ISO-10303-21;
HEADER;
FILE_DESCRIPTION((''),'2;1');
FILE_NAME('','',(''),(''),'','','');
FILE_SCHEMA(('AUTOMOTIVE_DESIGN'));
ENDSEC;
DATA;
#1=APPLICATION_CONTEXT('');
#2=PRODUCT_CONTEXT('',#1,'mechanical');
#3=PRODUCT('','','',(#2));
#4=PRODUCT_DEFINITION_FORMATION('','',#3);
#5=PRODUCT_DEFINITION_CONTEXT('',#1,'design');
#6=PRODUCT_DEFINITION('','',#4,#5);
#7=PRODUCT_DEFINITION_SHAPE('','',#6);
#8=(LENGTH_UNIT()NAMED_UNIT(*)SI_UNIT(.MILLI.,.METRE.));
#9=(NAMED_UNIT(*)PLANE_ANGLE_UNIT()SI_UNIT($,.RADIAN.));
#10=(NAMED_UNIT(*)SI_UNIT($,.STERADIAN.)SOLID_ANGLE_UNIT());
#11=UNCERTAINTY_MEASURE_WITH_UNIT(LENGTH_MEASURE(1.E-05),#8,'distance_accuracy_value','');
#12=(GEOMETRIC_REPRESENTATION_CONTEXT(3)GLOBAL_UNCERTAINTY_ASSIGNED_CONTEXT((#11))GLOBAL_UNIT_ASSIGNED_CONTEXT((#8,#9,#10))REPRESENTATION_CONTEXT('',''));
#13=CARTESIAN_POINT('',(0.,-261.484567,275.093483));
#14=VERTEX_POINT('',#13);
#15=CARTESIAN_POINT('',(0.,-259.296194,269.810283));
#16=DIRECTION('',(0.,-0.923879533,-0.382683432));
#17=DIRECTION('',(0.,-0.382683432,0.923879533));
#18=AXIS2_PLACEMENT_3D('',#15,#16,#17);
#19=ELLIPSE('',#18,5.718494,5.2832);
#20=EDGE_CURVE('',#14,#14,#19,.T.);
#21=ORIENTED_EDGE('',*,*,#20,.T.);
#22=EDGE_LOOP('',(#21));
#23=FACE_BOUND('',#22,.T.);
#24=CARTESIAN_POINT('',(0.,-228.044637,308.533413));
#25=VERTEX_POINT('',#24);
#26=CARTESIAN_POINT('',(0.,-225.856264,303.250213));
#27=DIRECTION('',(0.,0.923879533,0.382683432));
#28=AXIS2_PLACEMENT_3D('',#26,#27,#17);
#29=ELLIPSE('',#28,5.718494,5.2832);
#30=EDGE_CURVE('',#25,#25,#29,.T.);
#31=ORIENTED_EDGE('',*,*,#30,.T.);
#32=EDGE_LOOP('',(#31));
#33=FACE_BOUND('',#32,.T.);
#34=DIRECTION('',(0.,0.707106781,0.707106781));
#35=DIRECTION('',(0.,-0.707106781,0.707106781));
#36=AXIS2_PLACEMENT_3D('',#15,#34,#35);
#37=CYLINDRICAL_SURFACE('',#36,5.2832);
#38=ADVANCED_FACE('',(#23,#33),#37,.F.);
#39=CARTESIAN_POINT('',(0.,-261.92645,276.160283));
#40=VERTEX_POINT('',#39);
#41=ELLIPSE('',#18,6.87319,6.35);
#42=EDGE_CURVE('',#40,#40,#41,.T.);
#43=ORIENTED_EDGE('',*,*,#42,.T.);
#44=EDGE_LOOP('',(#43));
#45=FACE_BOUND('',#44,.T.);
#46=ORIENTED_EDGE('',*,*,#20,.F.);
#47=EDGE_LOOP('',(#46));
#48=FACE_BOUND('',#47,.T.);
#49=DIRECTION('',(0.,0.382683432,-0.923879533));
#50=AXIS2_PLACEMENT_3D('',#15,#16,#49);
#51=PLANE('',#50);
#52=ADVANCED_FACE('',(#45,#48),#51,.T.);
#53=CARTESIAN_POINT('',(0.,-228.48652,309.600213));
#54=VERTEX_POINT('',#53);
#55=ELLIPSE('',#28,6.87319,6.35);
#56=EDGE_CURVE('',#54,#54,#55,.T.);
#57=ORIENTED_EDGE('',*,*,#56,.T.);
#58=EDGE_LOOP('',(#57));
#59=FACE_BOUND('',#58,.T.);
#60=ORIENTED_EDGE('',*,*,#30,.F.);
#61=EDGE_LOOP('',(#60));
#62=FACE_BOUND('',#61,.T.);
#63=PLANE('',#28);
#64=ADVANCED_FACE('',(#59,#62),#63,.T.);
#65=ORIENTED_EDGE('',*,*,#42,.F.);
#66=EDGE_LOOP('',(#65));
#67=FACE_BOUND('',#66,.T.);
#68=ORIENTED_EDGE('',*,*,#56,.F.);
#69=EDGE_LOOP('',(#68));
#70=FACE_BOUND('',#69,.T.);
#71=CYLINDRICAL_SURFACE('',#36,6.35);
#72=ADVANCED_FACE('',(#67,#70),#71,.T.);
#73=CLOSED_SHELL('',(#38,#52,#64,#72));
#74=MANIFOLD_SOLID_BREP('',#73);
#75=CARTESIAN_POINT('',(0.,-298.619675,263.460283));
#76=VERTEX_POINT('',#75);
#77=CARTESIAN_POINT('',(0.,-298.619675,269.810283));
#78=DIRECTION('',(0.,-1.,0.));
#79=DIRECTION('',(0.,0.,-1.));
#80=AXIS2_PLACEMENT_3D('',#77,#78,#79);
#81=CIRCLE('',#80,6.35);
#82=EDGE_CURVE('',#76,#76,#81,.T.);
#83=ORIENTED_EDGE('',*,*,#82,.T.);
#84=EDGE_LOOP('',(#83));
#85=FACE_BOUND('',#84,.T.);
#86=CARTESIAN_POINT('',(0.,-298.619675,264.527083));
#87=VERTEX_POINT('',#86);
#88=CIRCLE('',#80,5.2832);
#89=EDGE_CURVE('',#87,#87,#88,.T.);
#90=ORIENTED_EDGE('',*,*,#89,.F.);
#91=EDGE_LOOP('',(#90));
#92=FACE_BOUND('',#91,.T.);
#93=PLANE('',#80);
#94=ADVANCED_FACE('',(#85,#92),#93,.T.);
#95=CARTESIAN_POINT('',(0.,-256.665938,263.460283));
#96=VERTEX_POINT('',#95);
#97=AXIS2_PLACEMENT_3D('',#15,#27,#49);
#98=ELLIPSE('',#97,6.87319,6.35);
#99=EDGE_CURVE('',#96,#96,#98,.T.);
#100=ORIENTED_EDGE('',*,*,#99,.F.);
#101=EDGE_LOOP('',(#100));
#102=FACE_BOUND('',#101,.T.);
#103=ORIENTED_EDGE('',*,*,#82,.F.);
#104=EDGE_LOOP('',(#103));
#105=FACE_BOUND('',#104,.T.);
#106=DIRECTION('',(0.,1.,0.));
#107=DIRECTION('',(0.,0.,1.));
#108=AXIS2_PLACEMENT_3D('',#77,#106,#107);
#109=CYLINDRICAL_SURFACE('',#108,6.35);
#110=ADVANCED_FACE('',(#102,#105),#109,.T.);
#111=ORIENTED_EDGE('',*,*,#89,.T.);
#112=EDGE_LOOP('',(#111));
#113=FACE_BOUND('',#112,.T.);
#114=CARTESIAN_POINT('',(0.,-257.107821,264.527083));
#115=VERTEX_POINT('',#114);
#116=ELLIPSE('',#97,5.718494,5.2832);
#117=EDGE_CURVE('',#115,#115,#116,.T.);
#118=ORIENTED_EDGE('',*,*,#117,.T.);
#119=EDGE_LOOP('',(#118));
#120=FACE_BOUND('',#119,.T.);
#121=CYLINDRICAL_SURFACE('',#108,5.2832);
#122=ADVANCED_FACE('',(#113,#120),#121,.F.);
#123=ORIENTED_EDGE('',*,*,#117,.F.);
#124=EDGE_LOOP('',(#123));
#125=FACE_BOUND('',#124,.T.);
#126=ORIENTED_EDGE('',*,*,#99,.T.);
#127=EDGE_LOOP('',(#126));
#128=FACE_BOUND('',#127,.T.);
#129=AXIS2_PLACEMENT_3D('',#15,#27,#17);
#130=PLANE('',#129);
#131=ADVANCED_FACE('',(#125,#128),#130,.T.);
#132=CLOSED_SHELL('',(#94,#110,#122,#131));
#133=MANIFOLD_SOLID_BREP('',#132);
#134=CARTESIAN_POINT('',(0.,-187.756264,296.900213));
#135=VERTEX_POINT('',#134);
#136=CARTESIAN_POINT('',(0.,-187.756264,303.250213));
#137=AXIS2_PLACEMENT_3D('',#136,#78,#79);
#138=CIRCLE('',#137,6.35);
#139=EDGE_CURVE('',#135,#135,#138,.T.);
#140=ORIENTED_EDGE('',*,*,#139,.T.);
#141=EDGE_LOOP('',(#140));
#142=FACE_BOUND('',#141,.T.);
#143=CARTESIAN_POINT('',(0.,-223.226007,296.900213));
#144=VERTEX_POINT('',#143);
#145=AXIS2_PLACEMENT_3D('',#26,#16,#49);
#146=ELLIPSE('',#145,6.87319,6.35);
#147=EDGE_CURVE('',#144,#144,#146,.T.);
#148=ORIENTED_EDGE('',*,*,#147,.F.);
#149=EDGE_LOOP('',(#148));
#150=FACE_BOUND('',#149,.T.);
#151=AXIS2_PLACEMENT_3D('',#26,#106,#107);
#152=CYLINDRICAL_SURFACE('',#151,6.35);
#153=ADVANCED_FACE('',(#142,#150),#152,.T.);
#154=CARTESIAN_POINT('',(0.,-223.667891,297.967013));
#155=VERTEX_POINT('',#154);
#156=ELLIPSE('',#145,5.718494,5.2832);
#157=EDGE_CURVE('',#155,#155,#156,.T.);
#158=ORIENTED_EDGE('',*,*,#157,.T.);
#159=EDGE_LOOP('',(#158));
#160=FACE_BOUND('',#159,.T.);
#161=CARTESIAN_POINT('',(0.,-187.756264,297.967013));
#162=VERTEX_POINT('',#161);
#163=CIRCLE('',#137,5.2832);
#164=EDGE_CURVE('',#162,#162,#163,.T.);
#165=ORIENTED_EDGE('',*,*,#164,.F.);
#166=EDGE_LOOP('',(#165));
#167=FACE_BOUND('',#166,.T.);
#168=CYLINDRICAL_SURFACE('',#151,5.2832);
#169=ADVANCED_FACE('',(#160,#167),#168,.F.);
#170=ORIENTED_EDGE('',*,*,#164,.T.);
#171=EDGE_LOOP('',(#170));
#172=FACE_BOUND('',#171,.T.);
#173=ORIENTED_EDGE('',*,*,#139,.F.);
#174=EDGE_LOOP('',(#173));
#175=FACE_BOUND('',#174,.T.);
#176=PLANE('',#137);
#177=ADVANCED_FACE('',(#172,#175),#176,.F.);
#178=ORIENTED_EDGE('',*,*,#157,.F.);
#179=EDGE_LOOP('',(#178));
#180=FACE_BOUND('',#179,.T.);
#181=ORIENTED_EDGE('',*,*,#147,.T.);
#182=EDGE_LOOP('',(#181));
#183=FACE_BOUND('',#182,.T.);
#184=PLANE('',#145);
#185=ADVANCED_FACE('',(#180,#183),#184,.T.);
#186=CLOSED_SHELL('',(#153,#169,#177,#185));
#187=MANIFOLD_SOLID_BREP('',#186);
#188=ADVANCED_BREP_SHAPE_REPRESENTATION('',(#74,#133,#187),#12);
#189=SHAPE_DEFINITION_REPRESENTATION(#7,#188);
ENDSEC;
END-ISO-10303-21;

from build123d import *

# Parameters (mm, degrees)
SKETCH11_R                = 6.35
SKETCH11_R_2              = 5.2832
PIPE_0_5_SCH_40_1_DEPTH   = 42.819743879
SKETCH11_ON_SEGMENT_2_R   = 6.35
SKETCH11_ON_SEGMENT_2_R_2 = 5.2832
PIPE_0_5_SCH_40_1_2_DEPTH = 56.730691165
SKETCH11_ON_SEGMENT_3_R   = 6.35
SKETCH11_ON_SEGMENT_3_R_2 = 5.2832
PIPE_0_5_SCH_40_1_3_DEPTH = 44.043224164


with BuildPart() as part:
    # Sketch11 → Pipe 0.5 SCH 40(1) (new body)
    with BuildSketch(Plane(origin=(0, -187.756263613, 303.250213328), x_dir=(0, 0, -1), z_dir=(0, -1, 0))):
        Circle(SKETCH11_R)
        Circle(SKETCH11_R_2, mode=Mode.SUBTRACT)
    extrude(amount=PIPE_0_5_SCH_40_1_DEPTH)

    # Pipe 0.5 SCH 40(1) mitre 1
    split(bisect_by=Plane(origin=(0, -225.856263613, 303.250213328), x_dir=(-1, 0, 0), z_dir=(0, 0.923879533, 0.382683432)), keep=Keep.TOP)


with BuildPart() as body_2:
    # Sketch11 on segment 2 (carried to segment 2) → Pipe 0.5 SCH 40_1 2 (new body)
    with BuildSketch(Plane(origin=(0, -222.518900711, 306.58757623), x_dir=(0, 0.707106781, -0.707106781), z_dir=(0, -0.707106781, -0.707106781))):
        Circle(SKETCH11_ON_SEGMENT_2_R)
        Circle(SKETCH11_ON_SEGMENT_2_R_2, mode=Mode.SUBTRACT)
    extrude(amount=PIPE_0_5_SCH_40_1_2_DEPTH)

    # Pipe 0.5 SCH 40_1 2 mitre 1
    split(bisect_by=Plane(origin=(0, -225.856263613, 303.250213328), x_dir=(1, 0, 0), z_dir=(0, -0.923879533, -0.382683432)), keep=Keep.TOP)

    # Pipe 0.5 SCH 40_1 2 mitre 2
    split(bisect_by=Plane(origin=(0, -259.296194232, 269.810282709), x_dir=(-1, 0, 0), z_dir=(0, 0.923879533, 0.382683432)), keep=Keep.TOP)


with BuildPart() as body_3:
    # Sketch11 on segment 3 (carried to segment 3) → Pipe 0.5 SCH 40_1 3 (new body)
    with BuildSketch(Plane(origin=(0, -254.576450353, 269.810282709), x_dir=(0, 0, -1), z_dir=(0, -1, 0))):
        Circle(SKETCH11_ON_SEGMENT_3_R)
        Circle(SKETCH11_ON_SEGMENT_3_R_2, mode=Mode.SUBTRACT)
    extrude(amount=PIPE_0_5_SCH_40_1_3_DEPTH)

    # Pipe 0.5 SCH 40_1 3 mitre 1
    split(bisect_by=Plane(origin=(0, -259.296194232, 269.810282709), x_dir=(1, 0, 0), z_dir=(0, -0.923879533, -0.382683432)), keep=Keep.TOP)


solid = Compound([part.part, body_2.part, body_3.part])
